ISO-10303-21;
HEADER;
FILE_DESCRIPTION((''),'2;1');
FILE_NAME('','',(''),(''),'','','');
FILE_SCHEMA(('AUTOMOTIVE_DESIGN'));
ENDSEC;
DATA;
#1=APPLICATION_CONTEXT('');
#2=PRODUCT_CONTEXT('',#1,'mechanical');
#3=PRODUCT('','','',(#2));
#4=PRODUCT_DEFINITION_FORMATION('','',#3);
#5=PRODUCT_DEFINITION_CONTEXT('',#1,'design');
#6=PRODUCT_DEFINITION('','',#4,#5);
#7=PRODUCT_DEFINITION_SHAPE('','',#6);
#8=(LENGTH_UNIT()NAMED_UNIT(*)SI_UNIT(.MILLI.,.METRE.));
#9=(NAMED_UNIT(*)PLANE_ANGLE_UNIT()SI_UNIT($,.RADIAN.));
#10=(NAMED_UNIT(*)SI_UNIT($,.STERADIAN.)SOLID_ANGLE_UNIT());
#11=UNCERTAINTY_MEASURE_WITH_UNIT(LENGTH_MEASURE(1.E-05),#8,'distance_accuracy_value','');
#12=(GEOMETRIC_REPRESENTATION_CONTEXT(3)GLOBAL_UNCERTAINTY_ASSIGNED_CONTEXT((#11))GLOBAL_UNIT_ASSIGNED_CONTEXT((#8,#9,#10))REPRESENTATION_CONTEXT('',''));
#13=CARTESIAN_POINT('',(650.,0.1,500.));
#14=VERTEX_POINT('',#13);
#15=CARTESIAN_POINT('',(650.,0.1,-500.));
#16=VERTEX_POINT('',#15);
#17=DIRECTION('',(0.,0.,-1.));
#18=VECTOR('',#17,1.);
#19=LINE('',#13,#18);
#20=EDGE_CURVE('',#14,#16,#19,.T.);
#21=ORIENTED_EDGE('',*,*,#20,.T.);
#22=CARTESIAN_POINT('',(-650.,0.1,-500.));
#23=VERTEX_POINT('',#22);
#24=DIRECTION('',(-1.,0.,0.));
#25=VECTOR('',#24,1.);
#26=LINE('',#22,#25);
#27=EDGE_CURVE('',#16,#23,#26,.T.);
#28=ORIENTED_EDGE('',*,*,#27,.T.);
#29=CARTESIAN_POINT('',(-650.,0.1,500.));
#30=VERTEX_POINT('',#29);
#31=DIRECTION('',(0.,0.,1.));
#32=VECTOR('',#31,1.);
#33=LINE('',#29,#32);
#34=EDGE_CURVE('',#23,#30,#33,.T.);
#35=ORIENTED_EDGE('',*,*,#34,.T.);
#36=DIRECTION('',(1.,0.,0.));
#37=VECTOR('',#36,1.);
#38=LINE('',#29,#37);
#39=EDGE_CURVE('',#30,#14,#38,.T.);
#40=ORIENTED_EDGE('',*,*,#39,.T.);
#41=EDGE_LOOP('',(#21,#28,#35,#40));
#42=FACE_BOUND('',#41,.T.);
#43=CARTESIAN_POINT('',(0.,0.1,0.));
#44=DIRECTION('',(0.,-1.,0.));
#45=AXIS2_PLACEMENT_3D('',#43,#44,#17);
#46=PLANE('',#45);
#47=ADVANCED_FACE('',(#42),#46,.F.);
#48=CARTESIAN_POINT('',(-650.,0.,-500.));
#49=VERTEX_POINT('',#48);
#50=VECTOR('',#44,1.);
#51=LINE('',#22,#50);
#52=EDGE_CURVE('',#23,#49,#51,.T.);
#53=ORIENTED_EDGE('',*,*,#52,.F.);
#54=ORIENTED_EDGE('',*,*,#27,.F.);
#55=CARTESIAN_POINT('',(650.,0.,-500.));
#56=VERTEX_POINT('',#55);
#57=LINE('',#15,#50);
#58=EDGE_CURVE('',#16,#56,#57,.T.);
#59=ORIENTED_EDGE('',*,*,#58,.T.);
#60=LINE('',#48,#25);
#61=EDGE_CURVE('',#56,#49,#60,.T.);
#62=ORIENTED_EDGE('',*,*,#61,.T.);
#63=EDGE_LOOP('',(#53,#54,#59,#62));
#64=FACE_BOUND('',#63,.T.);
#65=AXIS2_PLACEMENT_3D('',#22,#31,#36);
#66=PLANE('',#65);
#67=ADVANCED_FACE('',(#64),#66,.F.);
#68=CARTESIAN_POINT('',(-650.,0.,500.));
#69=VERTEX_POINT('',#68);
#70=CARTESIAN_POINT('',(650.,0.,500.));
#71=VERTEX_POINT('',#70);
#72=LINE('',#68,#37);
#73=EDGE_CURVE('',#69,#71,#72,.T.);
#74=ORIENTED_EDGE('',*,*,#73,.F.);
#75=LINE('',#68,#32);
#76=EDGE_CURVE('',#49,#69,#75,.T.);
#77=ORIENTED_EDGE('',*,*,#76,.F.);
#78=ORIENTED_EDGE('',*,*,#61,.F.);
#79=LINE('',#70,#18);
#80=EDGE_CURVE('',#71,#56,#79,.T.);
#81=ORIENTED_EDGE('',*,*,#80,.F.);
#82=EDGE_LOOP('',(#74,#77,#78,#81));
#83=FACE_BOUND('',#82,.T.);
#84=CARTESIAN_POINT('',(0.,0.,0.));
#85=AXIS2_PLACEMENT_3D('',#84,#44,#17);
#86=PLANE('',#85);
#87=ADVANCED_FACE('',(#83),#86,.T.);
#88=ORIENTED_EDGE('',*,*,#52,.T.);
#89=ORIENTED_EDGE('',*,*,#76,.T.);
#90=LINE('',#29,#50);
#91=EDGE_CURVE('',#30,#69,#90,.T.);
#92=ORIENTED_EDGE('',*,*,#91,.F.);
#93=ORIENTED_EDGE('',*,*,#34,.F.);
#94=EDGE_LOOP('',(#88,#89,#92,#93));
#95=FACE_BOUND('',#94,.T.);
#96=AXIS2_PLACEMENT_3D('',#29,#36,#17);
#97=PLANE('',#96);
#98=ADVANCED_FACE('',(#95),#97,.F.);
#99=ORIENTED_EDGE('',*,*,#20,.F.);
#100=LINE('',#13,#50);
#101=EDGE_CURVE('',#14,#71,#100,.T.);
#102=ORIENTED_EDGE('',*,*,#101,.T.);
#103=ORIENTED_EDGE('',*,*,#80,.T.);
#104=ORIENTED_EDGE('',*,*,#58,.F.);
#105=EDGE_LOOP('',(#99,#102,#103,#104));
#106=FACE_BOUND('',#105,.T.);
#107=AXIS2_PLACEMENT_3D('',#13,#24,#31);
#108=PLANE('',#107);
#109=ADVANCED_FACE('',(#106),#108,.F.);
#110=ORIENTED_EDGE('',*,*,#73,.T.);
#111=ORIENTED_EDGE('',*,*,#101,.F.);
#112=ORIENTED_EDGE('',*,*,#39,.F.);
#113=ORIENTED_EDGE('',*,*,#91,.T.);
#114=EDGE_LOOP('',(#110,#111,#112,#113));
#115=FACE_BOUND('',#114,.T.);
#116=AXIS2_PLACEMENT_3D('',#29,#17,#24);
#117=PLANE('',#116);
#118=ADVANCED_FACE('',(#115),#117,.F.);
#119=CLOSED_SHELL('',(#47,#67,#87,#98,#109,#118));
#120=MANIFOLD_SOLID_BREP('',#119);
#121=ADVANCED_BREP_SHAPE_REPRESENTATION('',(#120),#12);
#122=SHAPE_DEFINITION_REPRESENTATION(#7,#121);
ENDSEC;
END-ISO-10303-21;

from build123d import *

# Parameters (mm, degrees)
SKETCH_1_W      = 1300
SKETCH_1_H      = 1000
EXTRUDE_1_DEPTH = 0.1


with BuildPart() as part:
    # 草图1 → 凸台-拉伸1 (new body)
    with BuildSketch(Plane(origin=(0, 0, 0), x_dir=(1, 0, 0), z_dir=(0, 1, 0))):
        Rectangle(SKETCH_1_W, SKETCH_1_H)
    extrude(amount=EXTRUDE_1_DEPTH)


solid = part.part
